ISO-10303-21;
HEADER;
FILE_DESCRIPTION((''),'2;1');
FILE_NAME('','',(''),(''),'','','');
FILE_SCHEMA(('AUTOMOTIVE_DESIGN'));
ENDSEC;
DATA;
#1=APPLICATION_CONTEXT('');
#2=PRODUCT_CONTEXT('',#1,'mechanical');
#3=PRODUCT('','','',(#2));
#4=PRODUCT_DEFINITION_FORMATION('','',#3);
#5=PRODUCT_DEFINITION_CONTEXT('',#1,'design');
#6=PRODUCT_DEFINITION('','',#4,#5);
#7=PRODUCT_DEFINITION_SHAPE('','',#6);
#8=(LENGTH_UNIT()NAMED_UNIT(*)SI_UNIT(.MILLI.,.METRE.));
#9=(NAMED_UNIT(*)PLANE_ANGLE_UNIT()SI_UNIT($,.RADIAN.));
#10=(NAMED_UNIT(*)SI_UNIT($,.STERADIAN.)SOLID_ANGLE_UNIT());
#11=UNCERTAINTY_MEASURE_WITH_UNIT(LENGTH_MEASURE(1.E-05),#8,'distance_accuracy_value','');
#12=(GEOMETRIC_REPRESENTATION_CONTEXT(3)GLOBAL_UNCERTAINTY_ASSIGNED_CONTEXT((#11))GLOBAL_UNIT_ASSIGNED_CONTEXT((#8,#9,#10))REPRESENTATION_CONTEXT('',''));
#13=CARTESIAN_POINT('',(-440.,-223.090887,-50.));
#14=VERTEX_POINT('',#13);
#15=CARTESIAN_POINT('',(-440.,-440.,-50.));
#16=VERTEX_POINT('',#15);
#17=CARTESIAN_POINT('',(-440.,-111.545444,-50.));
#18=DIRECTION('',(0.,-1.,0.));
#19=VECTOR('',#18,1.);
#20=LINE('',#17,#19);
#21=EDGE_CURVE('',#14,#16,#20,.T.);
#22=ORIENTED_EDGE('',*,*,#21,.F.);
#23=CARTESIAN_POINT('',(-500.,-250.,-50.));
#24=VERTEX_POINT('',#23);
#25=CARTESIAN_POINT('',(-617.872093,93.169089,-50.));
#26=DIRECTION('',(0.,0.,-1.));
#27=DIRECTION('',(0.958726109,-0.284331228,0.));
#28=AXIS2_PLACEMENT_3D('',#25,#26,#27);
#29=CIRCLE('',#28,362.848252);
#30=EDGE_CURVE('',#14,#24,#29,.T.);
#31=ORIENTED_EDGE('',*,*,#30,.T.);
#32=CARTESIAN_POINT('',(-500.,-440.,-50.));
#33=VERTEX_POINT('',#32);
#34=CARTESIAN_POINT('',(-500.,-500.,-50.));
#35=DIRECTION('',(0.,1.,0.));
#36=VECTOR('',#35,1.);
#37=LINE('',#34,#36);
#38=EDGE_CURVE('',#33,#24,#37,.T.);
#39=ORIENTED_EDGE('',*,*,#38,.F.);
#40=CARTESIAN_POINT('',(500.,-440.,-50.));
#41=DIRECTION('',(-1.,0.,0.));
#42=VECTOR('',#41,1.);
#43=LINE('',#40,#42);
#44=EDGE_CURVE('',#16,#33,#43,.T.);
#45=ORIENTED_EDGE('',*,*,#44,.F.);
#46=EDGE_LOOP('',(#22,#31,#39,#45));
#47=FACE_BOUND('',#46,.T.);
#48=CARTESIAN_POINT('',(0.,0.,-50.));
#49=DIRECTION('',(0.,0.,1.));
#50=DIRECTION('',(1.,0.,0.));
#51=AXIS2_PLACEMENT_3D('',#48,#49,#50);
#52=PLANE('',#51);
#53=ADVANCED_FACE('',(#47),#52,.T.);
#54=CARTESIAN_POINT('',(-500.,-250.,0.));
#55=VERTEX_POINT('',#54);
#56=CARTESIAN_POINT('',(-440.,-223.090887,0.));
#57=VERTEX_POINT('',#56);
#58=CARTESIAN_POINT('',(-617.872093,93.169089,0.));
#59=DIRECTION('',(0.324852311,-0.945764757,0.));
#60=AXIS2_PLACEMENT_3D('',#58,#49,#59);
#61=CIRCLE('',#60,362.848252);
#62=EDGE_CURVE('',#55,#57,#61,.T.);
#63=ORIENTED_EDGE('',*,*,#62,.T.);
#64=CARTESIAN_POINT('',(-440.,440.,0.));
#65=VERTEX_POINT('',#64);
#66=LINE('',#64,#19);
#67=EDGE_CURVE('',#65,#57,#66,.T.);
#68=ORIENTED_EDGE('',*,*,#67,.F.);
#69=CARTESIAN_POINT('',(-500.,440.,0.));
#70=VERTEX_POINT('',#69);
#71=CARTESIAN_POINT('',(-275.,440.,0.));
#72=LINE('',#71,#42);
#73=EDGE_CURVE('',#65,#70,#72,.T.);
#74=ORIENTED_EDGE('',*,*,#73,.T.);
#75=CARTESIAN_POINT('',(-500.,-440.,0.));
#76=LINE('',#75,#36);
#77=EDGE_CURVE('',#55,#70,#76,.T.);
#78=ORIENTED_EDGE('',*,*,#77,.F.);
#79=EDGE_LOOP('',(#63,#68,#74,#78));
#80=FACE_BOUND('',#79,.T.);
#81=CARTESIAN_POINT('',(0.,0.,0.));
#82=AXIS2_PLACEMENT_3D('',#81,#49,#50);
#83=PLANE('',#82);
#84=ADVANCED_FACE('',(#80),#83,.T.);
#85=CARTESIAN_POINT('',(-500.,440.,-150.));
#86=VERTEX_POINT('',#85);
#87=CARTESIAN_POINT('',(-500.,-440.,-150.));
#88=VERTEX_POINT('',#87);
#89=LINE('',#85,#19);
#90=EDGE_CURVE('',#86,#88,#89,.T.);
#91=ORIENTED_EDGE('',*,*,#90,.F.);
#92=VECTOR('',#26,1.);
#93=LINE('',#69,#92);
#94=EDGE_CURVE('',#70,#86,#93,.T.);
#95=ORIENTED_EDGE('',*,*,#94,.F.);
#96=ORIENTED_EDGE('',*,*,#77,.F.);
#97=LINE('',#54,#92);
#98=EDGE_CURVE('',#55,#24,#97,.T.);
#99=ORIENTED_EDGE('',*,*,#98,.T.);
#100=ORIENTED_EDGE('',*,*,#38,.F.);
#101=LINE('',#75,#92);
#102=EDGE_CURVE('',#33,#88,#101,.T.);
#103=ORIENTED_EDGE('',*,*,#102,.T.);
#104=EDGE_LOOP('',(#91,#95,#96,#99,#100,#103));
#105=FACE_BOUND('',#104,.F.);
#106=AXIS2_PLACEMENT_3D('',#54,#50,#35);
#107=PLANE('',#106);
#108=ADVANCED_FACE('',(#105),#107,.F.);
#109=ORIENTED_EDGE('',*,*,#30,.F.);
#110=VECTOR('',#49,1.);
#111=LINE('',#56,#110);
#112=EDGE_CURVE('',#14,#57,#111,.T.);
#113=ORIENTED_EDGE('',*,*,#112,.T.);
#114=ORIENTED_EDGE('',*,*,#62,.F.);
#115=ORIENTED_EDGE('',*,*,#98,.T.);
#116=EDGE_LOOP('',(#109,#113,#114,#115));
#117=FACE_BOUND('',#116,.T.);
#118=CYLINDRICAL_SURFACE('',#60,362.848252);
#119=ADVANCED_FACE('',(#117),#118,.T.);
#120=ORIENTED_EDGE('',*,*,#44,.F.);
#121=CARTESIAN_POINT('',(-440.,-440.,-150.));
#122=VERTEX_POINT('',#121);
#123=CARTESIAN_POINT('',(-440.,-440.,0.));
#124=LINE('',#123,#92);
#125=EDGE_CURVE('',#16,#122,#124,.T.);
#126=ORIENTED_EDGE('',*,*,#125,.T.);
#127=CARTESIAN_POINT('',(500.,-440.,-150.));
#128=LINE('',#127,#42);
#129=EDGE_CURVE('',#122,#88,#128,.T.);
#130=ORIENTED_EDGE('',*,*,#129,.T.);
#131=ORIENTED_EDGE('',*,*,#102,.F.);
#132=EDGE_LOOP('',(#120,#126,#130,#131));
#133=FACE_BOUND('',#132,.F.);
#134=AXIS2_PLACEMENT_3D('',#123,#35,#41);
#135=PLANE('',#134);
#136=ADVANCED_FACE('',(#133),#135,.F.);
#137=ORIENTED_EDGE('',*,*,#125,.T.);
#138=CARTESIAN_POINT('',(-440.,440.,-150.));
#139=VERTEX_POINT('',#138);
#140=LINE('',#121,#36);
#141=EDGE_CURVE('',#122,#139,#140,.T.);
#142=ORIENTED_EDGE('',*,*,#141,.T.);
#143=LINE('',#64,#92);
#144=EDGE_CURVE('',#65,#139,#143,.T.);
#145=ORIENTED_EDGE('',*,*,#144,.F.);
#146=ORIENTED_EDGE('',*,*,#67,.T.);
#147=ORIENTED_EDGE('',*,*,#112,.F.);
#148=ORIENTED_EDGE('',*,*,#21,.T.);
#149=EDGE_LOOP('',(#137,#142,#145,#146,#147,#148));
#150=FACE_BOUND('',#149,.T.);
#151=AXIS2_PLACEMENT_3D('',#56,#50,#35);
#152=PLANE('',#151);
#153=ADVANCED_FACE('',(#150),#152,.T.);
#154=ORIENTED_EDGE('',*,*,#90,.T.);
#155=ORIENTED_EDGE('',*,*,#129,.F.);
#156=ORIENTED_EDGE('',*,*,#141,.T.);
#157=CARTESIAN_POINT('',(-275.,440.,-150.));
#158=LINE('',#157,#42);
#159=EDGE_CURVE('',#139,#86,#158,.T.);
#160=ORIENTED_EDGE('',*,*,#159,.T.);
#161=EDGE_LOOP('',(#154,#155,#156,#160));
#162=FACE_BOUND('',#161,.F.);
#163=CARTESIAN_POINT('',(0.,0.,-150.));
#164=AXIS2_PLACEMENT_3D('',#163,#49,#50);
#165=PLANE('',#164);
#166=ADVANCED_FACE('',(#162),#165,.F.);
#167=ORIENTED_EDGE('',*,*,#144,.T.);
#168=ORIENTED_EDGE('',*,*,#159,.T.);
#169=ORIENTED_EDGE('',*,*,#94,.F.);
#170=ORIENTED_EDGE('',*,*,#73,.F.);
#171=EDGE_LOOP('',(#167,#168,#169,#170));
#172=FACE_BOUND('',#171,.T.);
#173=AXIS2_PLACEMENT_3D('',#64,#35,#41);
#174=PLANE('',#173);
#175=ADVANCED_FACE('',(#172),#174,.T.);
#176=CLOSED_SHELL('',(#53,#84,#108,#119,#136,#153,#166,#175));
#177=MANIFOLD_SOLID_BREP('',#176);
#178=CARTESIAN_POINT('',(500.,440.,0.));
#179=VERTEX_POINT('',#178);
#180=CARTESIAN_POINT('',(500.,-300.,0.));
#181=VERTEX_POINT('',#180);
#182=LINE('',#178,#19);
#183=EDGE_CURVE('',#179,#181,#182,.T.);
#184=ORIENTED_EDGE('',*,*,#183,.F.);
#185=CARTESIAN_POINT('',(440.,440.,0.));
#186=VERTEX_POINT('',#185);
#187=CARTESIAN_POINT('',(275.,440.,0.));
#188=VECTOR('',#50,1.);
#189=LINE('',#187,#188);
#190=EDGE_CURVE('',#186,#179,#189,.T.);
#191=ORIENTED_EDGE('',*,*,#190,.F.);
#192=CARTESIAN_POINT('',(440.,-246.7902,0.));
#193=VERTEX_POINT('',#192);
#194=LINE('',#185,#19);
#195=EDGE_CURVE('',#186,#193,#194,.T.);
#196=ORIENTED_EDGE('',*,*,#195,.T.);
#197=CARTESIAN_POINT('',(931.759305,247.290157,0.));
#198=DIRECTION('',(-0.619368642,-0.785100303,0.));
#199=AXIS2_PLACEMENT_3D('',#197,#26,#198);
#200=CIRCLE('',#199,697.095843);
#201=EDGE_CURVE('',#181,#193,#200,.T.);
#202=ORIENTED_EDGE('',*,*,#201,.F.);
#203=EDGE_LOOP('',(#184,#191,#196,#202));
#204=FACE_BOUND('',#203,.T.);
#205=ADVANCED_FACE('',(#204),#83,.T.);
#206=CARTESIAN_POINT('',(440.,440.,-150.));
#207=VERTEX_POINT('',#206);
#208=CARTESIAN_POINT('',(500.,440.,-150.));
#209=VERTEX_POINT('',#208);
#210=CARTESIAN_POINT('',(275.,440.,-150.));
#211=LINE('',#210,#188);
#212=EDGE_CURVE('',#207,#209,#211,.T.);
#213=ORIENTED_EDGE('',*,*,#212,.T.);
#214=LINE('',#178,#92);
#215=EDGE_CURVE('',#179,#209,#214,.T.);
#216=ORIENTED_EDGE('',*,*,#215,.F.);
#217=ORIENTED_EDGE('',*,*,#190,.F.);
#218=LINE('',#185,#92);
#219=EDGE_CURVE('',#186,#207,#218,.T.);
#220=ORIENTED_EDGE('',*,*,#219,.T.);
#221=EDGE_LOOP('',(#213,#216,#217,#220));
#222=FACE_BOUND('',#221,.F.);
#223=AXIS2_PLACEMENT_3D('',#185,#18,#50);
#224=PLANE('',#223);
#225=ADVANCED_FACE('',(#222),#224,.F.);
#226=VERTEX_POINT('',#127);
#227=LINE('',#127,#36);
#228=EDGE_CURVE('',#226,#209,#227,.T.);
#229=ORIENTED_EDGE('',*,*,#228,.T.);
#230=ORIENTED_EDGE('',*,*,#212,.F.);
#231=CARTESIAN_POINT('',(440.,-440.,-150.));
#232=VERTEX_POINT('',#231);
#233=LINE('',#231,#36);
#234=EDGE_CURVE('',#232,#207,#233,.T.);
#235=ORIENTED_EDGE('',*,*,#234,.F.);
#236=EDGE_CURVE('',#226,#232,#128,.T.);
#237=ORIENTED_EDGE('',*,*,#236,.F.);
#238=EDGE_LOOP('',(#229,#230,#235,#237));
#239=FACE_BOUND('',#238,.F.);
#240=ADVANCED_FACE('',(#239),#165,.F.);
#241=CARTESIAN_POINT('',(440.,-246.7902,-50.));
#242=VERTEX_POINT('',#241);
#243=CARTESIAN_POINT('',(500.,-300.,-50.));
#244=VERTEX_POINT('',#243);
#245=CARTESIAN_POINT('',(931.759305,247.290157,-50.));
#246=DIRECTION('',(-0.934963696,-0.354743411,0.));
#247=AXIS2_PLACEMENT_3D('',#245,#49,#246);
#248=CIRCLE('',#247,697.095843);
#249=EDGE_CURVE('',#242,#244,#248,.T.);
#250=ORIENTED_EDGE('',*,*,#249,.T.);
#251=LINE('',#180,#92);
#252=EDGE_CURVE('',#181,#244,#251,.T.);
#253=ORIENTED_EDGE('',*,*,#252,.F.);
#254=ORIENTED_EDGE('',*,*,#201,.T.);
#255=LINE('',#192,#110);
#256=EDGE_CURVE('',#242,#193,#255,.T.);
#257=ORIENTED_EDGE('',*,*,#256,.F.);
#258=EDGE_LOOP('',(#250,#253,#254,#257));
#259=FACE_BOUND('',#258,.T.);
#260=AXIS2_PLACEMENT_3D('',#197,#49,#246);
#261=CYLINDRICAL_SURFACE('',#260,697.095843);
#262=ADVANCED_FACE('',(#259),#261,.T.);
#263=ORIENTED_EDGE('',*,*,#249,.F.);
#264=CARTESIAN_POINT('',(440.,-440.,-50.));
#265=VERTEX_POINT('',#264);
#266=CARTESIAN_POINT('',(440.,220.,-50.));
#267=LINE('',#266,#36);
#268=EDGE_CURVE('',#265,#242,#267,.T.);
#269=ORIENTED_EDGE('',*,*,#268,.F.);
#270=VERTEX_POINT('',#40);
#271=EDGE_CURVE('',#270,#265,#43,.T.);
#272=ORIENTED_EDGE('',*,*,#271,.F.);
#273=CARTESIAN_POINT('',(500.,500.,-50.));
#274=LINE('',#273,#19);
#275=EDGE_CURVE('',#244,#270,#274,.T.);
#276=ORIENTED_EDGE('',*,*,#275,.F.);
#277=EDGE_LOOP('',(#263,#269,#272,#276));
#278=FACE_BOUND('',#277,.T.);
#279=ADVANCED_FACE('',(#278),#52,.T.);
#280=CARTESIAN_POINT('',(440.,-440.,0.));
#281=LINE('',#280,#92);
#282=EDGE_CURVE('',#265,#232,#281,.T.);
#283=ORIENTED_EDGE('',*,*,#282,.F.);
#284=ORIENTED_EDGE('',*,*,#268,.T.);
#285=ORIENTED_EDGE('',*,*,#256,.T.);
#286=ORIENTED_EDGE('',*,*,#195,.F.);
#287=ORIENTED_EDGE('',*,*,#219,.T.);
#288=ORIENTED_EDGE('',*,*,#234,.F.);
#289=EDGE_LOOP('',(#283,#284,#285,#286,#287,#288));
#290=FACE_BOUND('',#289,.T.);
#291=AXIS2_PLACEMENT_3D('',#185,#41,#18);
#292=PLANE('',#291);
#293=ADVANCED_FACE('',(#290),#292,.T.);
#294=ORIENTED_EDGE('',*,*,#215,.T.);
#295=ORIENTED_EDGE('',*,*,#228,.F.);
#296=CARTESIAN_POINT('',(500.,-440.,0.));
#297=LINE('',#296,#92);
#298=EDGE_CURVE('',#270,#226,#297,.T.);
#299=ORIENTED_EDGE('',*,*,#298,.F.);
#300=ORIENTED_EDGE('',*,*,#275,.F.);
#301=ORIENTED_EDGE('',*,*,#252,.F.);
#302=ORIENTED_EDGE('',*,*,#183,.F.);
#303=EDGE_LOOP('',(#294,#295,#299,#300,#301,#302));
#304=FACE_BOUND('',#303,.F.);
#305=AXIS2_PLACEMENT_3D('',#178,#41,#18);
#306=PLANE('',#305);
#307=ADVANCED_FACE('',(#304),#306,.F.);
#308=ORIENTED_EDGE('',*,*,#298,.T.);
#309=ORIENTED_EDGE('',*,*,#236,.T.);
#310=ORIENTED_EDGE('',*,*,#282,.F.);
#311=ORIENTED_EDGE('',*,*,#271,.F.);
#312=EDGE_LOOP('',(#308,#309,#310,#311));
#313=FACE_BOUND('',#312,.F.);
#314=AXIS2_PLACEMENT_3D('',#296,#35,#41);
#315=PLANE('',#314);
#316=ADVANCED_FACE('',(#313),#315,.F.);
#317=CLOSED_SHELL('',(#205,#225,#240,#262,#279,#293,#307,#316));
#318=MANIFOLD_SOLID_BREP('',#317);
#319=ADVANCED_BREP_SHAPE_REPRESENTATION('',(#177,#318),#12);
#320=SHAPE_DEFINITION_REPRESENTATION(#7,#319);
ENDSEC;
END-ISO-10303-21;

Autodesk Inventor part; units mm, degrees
ref_plane "YZ Plane" through (0, 0, 0) normal (1, 0, 0) x (0, 1, 0)
ref_plane "XZ Plane" through (0, 0, 0) normal (0, 1, 0) x (-1, 0, 0)
ref_plane "XY Plane" through (0, 0, 0) normal (0, 0, 1) x (1, 0, 0)
sketch "Skizze3" plane through (0, 0, 0) normal (0, 0, 1) x (1, 0, 0)
  line L0 (-500, 500) -> (500, 500)
  line L1 (500, 500) -> (500, -500)
  line L2 (500, -500) -> (-500, -500)
  line L3 (-500, -500) -> (-500, 500)
  line L4 (-500, 500) -> (-275, 500)
  line L5 (-275, 500) -> (-275, 440)
  line L6 (-275, 440) -> (-500, 440)
  line L7 (-500, 440) -> (-500, 500)
  line L8 (500, 500) -> (275, 500)
  line L9 (275, 500) -> (275, 440)
  line L10 (275, 440) -> (500, 440)
  line L11 (500, 440) -> (500, 500)
  line L12 (-275, 500) -> (275, 500)
  line L13 (275, 500) -> (275, 300)
  line L14 (275, 300) -> (-275, 300)
  line L15 (-275, 300) -> (-275, 500)
  line L16 (-225, 300) -> (225, 300)
  line L17 (225, 300) -> (225, 360)
  line L18 (225, 360) -> (-225, 360)
  line L19 (-225, 360) -> (-225, 300)
  line L20 (-500, -500) -> (500, -500)
  line L21 (500, -500) -> (500, -440)
  line L22 (500, -440) -> (-500, -440)
  line L23 (-500, -440) -> (-500, -500)
  line L24 (-440, 440) -> (-500, 440)
  line L25 (-500, 440) -> (-500, -440)
  line L26 (-500, -440) -> (-440, -440)
  line L27 (-440, -440) -> (-440, 440)
  line L28 (500, 440) -> (440, 440)
  line L29 (440, 440) -> (440, -440)
  line L30 (440, -440) -> (500, -440)
  line L31 (500, -440) -> (500, 440)
  arc A0 (-270, -10) -> (-225, 300) centre (-1315.2778, 300) ccw
  arc A1 (-500, -250) -> (-270, -10) centre (-617.8721, 93.1691) ccw
  arc A2 (225, 300) -> (280, 0) centre (1070.6818, 300) ccw
  arc A3 (280, 0) -> (500, -300) centre (931.7592, 247.2901) ccw
  arc A4 (-150, -240) -> (-95, 360) centre (-1146.8979, 153.9031) ccw
  arc A5 (-150, -240) -> (-225, -500) centre (1170.154, -761.631) ccw
  arc A6 (-5, 360) -> (105, -150) centre (4524.0164, 1069.9839) ccw
  arc A7 (125, -500) -> (105, -150) centre (-696.9412, -371.3966) ccw
  circle A8 centre (-165, 430) radius 12.5
  circle A9 centre (-65, 430) radius 12.5
  circle A10 centre (115, 430) radius 12.5
  line L32 (-440, 440) -> (-500, 440)
  line L33 (-500, 440) -> (-500, -440)
  line L34 (-500, -440) -> (-440, -440)
  line L35 (-440, -440) -> (-440, 440)
  line L36 (440, -440) -> (500, -440)
  line L37 (500, -440) -> (500, 440)
  line L38 (500, 440) -> (440, 440)
  line L39 (440, 440) -> (440, -440)
  point P0 (0, 0)
  point P1 (-500.0625, 0)
  point P2 (0, 500.0625)
  point P3 (-500, 0)
  point P4 (0, 500)
  point P5 (0, 360)
  dimension "d5" = 1000
  dimension "d8" = 1000
  dimension "d9" = 60
  dimension "d10" = 225
  dimension "d11" = 225
  dimension "d12" = 550
  dimension "d13" = 200
  dimension "d14" = 450
  dimension "d15" = 60
  dimension "d16" = 60
  dimension "d17" = 880
  dimension "d18" = 60
  dimension "d19" = 60
  dimension "d20" = 250
  dimension "d21" = 230
  dimension "d22" = 240
  dimension "d23" = 200
  dimension "d24" = 300
  dimension "d25" = 220
  dimension "d26" = 130
  dimension "d27" = 150
  dimension "d28" = 275
  dimension "d29" = 75
  dimension "d30" = 260
  dimension "d31" = 90
  dimension "d32" = 230
  dimension "d33" = 375
  dimension "d34" = 350
  dimension "d35" = 365
  dimension "d36" = 350
  dimension "d37" = 20
  dimension "d38" = 25
  dimension "d39" = 70
  dimension "d40" = 60
  dimension "d41" = 110
  dimension "d42" = 30
extrude "Extrusion7" add sketch "Skizze3" against normal blind 150 contours L6 L27 A1 L3 | A1 L27 L22 L3 | L1 A3 L29 L10 | L1 L22 L29 A3
extrude "Extrusion8" cut sketch "Skizze3" against normal blind 50 contours A1 L27 L22 L3 | A1 A0 L14 A4 A5 L22 L27 | L1 L22 L29 A3 | L29 L22 A7 A6 L14 A2 A3 | L14 A6 A7 L22 A5 A4
equation "\"d16\" = d9"
equation "\"d18\" = d9"
equation "\"d19\" = d9"
properties part number "UA-70 EinfassungST"
